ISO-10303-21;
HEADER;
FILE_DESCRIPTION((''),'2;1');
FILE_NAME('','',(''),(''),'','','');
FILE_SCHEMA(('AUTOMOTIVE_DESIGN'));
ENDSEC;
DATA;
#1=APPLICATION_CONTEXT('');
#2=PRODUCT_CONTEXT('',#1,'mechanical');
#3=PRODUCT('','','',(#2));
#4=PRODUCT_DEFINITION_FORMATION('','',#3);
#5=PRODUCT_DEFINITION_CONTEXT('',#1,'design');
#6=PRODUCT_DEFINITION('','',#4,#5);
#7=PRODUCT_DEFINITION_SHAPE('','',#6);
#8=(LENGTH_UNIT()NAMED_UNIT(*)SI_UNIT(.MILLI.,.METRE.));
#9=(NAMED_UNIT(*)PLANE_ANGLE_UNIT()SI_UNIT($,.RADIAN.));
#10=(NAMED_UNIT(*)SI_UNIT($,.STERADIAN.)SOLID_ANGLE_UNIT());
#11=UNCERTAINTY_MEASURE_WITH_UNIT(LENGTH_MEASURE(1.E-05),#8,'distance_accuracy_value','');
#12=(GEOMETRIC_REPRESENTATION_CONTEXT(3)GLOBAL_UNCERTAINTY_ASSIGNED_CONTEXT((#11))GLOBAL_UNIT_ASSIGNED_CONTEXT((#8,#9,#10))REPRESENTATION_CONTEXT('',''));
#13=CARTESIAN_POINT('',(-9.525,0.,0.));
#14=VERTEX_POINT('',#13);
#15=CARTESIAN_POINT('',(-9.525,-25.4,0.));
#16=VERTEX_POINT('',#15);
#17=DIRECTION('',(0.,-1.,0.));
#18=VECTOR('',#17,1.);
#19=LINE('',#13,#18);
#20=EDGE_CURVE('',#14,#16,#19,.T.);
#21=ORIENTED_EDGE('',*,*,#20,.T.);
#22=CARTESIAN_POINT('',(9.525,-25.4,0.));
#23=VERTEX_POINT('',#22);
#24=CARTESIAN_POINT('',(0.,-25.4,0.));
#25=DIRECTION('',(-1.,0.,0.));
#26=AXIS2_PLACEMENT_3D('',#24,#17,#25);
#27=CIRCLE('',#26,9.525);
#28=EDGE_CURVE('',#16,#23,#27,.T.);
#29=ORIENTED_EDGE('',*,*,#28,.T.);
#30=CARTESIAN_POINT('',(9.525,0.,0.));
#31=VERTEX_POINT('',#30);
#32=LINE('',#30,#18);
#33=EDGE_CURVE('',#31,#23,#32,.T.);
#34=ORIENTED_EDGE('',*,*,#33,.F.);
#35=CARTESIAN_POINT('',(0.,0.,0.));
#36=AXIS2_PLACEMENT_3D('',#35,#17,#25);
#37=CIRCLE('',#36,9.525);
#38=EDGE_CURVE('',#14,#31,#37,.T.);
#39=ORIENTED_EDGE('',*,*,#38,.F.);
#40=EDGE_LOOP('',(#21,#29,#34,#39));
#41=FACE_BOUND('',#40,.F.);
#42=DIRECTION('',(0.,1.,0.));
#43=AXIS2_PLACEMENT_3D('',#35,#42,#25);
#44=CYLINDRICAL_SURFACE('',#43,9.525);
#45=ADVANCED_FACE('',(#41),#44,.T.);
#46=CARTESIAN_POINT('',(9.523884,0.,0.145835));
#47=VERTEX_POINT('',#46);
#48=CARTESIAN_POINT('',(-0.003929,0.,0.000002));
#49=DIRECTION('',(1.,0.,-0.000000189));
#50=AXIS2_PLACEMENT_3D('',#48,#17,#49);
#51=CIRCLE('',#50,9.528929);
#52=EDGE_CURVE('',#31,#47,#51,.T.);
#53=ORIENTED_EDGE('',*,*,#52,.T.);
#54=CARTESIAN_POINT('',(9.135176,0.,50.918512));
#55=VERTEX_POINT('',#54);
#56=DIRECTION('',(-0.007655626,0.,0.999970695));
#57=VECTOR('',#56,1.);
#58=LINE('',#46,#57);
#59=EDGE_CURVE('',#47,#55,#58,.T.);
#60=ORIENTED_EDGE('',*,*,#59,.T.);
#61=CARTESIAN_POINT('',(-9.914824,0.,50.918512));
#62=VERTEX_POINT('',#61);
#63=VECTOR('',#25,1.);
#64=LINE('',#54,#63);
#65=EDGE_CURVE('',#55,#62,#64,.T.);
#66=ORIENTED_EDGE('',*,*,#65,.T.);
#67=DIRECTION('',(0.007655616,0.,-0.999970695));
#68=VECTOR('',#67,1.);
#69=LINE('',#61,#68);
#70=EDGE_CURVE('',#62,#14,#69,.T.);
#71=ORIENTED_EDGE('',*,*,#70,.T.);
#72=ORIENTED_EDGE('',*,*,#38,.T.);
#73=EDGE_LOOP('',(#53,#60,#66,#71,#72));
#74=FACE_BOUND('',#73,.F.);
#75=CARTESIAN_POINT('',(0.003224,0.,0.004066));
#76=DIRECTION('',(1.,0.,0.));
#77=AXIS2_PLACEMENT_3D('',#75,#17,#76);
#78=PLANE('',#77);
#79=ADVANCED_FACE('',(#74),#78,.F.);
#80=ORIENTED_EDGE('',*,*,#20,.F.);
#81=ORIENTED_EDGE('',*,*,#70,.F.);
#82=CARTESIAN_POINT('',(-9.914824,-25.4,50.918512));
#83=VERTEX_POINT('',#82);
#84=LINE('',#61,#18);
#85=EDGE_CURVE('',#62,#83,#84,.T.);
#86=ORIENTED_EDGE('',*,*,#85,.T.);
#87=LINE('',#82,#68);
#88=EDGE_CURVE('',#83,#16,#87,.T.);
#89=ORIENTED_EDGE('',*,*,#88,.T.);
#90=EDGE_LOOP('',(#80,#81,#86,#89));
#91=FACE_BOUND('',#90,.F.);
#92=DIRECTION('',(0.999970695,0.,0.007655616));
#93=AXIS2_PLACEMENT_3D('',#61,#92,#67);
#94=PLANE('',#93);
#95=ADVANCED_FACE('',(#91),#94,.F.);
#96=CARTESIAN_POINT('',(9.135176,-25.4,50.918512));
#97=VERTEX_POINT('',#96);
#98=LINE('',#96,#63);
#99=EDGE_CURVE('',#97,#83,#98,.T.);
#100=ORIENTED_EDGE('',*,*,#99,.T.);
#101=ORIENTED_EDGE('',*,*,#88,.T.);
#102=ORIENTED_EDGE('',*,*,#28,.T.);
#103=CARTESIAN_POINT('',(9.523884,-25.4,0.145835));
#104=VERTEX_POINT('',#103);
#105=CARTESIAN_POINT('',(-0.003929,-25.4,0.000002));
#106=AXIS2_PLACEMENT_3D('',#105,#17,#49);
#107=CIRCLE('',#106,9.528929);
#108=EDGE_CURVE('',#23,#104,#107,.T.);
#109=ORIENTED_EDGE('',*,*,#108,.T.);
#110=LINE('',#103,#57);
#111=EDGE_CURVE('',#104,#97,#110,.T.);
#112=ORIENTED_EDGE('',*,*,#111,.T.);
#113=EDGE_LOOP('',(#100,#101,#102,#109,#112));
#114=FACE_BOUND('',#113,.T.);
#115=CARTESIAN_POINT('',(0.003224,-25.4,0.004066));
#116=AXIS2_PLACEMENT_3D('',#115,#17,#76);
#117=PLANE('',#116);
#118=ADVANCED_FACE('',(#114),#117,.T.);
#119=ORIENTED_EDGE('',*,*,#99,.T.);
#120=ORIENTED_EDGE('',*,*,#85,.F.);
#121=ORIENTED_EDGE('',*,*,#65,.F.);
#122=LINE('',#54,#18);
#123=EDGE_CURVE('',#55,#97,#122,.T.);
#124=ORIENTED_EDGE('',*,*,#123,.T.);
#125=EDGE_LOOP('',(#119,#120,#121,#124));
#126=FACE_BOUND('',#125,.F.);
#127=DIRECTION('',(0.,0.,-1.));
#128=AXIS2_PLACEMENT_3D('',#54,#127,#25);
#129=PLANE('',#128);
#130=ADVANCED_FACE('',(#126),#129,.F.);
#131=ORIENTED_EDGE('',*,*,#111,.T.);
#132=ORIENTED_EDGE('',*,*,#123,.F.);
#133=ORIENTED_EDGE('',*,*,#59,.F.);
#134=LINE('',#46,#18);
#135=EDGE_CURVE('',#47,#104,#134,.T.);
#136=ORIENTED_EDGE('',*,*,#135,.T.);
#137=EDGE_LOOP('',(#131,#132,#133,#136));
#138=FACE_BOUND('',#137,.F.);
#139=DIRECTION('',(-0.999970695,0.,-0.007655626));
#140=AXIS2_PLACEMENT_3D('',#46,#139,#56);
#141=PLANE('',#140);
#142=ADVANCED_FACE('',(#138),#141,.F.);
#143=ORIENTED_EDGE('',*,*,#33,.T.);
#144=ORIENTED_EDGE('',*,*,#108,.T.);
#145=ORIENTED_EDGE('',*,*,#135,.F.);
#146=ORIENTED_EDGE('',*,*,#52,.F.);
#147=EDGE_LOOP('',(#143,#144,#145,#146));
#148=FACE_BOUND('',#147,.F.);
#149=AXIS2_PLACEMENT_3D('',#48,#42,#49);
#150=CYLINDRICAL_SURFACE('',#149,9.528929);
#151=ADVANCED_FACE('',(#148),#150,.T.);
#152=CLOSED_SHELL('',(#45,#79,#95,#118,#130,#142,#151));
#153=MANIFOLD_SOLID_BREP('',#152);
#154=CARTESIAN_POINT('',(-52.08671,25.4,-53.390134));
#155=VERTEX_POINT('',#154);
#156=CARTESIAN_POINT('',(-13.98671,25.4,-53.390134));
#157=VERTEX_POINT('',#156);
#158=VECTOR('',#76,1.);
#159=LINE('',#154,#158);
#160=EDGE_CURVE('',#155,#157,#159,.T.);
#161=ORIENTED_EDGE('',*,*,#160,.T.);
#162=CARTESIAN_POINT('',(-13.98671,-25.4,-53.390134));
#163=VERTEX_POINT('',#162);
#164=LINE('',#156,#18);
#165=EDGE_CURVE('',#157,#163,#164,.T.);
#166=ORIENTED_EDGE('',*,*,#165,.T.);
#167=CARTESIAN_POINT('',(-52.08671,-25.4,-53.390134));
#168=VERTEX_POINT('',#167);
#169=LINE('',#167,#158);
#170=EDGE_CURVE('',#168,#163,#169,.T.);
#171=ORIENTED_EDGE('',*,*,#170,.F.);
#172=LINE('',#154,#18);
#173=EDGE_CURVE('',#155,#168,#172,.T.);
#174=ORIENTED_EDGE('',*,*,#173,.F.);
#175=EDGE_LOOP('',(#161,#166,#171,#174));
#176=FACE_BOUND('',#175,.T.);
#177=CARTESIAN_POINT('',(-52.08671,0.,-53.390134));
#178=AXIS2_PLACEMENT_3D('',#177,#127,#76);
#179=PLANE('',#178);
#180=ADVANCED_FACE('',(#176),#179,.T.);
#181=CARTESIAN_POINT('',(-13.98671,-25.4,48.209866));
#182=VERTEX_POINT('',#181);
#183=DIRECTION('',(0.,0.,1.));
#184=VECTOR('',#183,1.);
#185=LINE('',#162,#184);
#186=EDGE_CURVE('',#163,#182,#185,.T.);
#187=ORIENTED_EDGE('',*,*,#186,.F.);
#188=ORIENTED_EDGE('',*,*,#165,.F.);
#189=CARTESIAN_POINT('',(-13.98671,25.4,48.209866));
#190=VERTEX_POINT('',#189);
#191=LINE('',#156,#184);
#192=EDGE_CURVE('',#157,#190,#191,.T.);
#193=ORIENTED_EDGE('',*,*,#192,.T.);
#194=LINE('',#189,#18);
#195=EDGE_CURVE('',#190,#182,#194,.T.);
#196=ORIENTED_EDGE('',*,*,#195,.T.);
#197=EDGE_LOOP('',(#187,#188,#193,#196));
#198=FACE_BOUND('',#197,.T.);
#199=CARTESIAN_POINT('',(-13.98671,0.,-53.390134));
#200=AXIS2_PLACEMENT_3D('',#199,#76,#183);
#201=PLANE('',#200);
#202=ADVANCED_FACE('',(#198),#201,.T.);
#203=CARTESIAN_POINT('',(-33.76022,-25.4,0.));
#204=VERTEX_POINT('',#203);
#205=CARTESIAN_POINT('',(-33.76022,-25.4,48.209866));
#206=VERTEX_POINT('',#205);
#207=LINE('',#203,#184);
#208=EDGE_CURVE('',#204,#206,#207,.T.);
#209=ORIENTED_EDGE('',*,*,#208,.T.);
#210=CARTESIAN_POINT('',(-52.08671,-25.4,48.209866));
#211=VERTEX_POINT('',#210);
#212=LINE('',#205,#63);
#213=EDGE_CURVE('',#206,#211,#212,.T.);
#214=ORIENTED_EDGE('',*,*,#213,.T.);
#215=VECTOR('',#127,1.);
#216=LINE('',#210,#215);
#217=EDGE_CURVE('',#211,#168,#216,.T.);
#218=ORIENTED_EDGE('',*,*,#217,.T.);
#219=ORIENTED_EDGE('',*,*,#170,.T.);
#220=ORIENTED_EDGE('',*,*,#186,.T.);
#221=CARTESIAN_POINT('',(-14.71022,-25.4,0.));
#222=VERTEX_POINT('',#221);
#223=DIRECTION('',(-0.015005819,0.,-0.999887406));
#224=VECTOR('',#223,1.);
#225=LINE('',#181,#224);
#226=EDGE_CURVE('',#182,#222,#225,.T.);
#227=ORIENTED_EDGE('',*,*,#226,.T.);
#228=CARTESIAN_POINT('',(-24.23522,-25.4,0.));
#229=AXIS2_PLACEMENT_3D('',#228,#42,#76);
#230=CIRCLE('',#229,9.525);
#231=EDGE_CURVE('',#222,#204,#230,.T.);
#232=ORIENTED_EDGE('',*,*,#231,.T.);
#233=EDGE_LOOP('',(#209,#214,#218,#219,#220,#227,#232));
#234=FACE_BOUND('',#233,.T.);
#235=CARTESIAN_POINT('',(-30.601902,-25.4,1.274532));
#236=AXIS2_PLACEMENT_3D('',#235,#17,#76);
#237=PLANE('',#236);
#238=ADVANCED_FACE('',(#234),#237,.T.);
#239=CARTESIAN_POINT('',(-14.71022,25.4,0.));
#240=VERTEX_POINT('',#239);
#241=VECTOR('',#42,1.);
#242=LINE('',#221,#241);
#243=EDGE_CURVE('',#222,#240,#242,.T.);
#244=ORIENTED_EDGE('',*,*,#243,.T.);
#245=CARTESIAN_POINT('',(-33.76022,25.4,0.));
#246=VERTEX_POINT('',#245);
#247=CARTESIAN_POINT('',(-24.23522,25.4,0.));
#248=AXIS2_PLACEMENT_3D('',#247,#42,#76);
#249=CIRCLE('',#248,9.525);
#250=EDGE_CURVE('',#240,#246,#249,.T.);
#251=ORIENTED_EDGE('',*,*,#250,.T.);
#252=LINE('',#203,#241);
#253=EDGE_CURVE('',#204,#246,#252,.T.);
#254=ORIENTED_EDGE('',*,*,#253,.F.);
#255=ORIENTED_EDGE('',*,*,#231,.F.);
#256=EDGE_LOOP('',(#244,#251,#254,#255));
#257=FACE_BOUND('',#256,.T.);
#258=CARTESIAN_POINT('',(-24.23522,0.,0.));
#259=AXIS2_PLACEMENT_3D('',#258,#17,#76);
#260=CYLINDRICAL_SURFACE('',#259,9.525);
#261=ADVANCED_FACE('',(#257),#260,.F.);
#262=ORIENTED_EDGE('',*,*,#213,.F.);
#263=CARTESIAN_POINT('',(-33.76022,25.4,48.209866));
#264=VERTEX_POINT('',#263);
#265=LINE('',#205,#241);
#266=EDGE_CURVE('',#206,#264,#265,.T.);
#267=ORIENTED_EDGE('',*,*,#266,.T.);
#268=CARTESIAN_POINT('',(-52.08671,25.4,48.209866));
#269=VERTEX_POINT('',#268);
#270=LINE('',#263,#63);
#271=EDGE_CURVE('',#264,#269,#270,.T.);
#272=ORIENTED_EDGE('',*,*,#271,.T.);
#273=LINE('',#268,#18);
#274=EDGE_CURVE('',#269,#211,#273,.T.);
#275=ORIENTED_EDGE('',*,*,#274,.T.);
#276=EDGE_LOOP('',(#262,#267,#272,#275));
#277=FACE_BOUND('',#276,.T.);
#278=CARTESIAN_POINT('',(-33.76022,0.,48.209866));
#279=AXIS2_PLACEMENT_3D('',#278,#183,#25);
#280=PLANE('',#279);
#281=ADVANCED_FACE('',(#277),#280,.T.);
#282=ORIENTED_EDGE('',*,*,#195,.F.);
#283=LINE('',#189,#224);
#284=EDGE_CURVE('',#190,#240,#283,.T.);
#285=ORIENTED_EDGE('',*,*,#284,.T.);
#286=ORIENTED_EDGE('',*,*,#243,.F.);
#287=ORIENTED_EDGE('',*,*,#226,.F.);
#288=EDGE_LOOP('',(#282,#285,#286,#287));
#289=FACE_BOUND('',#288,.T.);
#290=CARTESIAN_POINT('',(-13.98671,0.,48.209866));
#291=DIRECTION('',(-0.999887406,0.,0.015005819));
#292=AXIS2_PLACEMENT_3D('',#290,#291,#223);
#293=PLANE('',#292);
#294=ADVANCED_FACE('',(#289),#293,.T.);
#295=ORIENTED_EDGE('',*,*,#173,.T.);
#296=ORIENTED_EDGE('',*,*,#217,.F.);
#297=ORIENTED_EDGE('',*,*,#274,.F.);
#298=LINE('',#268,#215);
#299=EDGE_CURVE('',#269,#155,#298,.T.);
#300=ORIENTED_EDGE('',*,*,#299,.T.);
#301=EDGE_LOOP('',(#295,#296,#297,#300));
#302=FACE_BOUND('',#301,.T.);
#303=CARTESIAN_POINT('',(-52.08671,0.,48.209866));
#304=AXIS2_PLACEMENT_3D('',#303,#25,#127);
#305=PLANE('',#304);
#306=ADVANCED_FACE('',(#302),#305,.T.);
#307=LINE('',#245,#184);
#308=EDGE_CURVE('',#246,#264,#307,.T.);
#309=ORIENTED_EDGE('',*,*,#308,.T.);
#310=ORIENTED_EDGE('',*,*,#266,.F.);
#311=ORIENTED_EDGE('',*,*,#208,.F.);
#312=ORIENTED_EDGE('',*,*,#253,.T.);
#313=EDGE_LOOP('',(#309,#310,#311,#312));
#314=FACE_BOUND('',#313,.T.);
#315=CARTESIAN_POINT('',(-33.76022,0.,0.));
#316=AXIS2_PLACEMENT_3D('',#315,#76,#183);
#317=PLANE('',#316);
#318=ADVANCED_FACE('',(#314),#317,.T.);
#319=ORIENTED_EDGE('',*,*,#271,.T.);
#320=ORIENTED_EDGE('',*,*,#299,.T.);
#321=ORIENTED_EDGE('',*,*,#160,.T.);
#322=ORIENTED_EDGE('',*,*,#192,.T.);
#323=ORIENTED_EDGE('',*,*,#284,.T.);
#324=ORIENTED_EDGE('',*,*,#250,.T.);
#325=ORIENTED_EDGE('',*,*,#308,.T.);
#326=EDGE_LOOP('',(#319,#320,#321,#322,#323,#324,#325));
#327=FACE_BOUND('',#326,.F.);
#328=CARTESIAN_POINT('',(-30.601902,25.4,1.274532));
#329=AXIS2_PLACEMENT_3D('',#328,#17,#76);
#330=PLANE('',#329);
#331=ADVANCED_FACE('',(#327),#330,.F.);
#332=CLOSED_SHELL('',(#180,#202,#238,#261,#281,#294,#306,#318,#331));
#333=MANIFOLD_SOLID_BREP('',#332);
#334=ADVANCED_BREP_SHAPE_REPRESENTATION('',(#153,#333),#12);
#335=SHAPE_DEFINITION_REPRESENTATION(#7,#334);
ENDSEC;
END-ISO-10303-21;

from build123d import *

# Parameters (mm, degrees)
F1_DEPTH = 25.4
F3_DEPTH = 25.4
F4_DEPTH = 25.4


with BuildPart() as f1:
    # F0 (on Front) → F1 (new body)
    with BuildSketch(Plane.XZ):
        with BuildLine():
            ThreePointArc((9.523884, 0.145835), (-0.07292, 9.524721), (-9.525, 0))
            ThreePointArc((-9.525, 0), (0, -9.525), (9.525, 0))
            Line((9.525, 0), (9.523884, 0.145835))
        make_face()
        with BuildLine():
            Line((-9.914824, 50.918512), (-9.525, 0))
            ThreePointArc((-9.525, 0), (-0.07292, 9.524721), (9.523884, 0.145835))
            Line((9.523884, 0.145835), (9.135176, 50.918512))
            Line((9.135176, 50.918512), (-9.914824, 50.918512))
        make_face()
        with BuildLine():
            Line((9.523884, 0.145835), (9.525, 0))
            ThreePointArc((9.525, 0), (9.524721, 0.07292), (9.523884, 0.145835))
        make_face()
    extrude(amount=F1_DEPTH)

    # F2 (on Front) → F3 (cut)
    with BuildSketch(Plane.XZ):
        with BuildLine():
            Line((-13.98671, 48.209866), (-33.76022, 48.209866))
            Line((-33.76022, 48.209866), (-33.76022, 0))
            ThreePointArc((-33.76022, 0), (-24.23522, 9.525), (-14.71022, 0))
            Line((-14.71022, 0), (-13.98671, 48.209866))
        make_face()
        with BuildLine():
            ThreePointArc((-14.71022, 0), (-24.23522, 9.525), (-33.76022, 0))
            Line((-33.76022, 0), (-14.71022, 0))
        make_face()
        with BuildLine():
            Line((-14.71022, 0), (-33.76022, 0))
            ThreePointArc((-33.76022, 0), (-24.23522, -9.525), (-14.71022, 0))
        make_face()
    extrude(amount=-F3_DEPTH, mode=Mode.SUBTRACT)


with BuildPart() as f4:
    # F2 (on Front) → F4 (new body, symmetric)
    with BuildSketch(Plane.XZ):
        with BuildLine():
            Line((-33.76022, 48.209866), (-52.08671, 48.209866))
            Line((-52.08671, 48.209866), (-52.08671, -53.390134))
            Line((-52.08671, -53.390134), (-13.98671, -53.390134))
            Line((-13.98671, -53.390134), (-13.98671, 48.209866))
            Line((-13.98671, 48.209866), (-14.71022, 0))
            ThreePointArc((-14.71022, 0), (-24.23522, -9.525), (-33.76022, 0))
            Line((-33.76022, 0), (-33.76022, 48.209866))
        make_face()
    extrude(amount=F4_DEPTH, both=True)


solid = Compound([f1.part, f4.part])
